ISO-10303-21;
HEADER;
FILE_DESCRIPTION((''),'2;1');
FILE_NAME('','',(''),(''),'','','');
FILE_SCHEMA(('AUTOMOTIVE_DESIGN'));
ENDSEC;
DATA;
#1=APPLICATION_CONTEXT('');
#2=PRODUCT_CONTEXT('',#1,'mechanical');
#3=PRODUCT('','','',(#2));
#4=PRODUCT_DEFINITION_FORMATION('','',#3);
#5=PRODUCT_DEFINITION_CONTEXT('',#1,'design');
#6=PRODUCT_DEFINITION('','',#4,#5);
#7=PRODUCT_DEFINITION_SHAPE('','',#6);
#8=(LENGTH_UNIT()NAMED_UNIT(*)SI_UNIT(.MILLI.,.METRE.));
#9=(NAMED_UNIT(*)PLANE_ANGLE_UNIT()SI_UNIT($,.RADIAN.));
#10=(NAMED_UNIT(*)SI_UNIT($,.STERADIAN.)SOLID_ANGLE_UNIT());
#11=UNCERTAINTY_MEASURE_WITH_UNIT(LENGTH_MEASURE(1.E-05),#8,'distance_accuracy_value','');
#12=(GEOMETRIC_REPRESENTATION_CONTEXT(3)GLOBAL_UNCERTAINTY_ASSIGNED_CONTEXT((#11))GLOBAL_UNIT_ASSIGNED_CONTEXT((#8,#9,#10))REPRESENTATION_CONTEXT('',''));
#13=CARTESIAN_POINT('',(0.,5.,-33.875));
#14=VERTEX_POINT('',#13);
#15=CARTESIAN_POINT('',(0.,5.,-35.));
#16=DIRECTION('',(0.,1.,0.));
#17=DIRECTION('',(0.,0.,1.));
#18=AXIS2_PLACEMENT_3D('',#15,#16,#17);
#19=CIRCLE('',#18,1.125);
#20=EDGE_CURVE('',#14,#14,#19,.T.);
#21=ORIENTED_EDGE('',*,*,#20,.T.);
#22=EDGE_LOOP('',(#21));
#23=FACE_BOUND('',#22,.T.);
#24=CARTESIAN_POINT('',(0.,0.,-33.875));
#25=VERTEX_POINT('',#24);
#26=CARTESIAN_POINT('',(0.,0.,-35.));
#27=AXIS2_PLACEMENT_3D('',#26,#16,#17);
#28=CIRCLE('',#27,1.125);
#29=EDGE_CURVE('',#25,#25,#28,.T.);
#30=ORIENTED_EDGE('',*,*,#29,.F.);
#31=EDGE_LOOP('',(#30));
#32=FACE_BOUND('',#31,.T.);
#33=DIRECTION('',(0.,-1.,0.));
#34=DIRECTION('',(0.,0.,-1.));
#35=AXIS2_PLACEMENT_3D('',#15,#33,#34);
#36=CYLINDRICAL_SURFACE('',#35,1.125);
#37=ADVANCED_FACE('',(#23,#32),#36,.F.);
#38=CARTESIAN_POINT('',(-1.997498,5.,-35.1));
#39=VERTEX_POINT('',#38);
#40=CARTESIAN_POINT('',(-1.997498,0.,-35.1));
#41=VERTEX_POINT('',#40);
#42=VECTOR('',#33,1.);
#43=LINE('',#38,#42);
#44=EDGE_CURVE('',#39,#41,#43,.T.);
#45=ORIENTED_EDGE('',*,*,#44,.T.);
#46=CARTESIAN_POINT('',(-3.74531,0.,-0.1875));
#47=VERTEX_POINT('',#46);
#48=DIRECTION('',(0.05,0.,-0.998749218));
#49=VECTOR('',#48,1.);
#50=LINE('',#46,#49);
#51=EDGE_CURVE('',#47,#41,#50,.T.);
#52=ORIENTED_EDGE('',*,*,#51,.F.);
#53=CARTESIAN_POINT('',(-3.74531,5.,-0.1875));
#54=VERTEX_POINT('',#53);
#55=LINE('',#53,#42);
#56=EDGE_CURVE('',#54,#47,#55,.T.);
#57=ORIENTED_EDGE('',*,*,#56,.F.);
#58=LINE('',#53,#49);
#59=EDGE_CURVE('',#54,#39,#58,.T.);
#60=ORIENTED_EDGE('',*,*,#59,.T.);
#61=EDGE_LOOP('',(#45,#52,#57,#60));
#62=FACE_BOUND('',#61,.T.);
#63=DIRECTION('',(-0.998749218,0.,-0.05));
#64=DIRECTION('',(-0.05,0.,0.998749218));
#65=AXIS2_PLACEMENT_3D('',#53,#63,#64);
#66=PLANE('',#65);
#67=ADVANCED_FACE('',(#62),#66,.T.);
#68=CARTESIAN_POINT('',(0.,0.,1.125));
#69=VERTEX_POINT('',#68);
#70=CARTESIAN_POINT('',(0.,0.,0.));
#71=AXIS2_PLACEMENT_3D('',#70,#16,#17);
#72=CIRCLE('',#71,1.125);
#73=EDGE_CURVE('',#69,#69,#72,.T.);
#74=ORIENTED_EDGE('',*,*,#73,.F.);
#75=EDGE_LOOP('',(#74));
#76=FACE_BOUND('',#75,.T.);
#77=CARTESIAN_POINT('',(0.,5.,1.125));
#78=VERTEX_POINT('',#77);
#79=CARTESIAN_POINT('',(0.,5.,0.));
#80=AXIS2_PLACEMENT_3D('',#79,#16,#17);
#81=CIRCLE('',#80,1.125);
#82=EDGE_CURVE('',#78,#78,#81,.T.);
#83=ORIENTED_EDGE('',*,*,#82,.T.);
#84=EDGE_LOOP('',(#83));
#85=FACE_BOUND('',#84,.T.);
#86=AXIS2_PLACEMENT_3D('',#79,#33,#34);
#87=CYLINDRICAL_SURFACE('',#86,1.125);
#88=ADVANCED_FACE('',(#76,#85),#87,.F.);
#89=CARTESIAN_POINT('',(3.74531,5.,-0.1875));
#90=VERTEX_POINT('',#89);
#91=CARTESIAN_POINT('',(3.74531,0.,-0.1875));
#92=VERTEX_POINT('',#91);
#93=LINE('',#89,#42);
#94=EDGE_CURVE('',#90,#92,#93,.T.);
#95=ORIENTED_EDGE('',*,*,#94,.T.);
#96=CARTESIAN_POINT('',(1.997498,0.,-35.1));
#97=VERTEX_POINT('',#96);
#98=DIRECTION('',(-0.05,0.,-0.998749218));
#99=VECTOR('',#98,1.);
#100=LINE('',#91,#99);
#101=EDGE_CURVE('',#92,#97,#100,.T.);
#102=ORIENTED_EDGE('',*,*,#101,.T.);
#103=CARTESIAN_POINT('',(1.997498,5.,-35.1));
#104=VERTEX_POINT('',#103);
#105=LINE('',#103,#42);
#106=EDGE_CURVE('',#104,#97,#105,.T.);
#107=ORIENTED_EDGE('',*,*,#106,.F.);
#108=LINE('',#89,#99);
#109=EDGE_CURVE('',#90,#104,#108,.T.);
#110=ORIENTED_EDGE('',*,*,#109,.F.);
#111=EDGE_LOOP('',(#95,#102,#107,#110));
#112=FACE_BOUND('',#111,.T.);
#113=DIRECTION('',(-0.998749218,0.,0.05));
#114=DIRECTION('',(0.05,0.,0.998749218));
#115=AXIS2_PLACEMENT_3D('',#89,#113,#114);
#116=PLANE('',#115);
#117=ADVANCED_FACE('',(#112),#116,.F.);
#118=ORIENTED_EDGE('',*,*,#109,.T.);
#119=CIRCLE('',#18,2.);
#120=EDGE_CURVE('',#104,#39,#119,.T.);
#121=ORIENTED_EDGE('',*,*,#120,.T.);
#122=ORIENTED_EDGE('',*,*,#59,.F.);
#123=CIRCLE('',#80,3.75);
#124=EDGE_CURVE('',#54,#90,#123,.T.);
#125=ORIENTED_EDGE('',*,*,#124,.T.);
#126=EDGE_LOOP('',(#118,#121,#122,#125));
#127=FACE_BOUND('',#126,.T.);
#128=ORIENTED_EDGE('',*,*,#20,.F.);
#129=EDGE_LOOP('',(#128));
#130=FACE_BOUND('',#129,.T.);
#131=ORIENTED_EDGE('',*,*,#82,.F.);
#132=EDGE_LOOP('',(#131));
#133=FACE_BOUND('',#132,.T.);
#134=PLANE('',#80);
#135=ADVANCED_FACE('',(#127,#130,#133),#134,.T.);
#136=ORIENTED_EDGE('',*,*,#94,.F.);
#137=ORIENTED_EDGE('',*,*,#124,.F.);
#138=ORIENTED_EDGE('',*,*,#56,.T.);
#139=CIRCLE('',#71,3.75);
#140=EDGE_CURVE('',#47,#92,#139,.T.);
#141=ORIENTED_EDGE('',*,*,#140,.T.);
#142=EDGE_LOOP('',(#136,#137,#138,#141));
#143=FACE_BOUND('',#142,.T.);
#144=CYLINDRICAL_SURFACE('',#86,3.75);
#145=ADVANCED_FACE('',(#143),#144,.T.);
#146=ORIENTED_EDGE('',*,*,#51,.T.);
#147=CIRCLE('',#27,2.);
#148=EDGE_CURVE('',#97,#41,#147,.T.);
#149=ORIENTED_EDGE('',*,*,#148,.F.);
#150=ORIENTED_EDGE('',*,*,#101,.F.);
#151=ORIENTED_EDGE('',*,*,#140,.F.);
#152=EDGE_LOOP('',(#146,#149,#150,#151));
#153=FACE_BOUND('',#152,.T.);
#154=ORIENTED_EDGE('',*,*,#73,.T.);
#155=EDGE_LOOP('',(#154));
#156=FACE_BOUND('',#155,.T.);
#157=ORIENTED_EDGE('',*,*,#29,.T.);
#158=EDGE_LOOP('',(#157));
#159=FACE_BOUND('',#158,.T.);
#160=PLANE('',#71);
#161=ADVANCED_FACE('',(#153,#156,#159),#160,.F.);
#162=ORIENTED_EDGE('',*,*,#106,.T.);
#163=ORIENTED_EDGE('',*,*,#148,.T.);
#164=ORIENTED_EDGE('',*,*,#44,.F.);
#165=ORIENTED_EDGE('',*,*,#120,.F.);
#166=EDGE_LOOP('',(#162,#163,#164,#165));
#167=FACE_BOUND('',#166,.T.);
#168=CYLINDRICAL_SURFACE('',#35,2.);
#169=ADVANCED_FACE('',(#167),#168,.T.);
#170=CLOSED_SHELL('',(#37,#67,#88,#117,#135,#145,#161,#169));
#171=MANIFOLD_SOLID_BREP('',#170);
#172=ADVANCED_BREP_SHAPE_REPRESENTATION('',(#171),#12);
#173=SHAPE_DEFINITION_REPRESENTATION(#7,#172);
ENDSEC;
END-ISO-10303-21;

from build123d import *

# Parameters (mm, degrees)
SKETCH1_R           = 1.125
BOSS_EXTRUDE1_DEPTH = 5


with BuildPart() as part:
    # Sketch1 → Boss-Extrude1 (new body)
    with BuildSketch(Plane(origin=(0, 0, 0), x_dir=(1, 0, 0), z_dir=(0, 1, 0))):
        with BuildLine():
            ThreePointArc((-3.745309567, 0.1875), (0, -3.75), (3.745309567, 0.1875))
            Line((3.745309567, 0.1875), (1.997498436, 35.1))
            ThreePointArc((1.997498436, 35.1), (0, 37), (-1.997498436, 35.1))
            Line((-1.997498436, 35.1), (-3.745309567, 0.1875))
        make_face()
        with Locations(Location((0, 0, 0), (0, 0, 270))):
            Circle(SKETCH1_R, mode=Mode.SUBTRACT)
        with Locations(Location((0, 35, 0), (0, 0, 270))):
            Circle(SKETCH1_R, mode=Mode.SUBTRACT)
    extrude(amount=BOSS_EXTRUDE1_DEPTH)


solid = part.part
